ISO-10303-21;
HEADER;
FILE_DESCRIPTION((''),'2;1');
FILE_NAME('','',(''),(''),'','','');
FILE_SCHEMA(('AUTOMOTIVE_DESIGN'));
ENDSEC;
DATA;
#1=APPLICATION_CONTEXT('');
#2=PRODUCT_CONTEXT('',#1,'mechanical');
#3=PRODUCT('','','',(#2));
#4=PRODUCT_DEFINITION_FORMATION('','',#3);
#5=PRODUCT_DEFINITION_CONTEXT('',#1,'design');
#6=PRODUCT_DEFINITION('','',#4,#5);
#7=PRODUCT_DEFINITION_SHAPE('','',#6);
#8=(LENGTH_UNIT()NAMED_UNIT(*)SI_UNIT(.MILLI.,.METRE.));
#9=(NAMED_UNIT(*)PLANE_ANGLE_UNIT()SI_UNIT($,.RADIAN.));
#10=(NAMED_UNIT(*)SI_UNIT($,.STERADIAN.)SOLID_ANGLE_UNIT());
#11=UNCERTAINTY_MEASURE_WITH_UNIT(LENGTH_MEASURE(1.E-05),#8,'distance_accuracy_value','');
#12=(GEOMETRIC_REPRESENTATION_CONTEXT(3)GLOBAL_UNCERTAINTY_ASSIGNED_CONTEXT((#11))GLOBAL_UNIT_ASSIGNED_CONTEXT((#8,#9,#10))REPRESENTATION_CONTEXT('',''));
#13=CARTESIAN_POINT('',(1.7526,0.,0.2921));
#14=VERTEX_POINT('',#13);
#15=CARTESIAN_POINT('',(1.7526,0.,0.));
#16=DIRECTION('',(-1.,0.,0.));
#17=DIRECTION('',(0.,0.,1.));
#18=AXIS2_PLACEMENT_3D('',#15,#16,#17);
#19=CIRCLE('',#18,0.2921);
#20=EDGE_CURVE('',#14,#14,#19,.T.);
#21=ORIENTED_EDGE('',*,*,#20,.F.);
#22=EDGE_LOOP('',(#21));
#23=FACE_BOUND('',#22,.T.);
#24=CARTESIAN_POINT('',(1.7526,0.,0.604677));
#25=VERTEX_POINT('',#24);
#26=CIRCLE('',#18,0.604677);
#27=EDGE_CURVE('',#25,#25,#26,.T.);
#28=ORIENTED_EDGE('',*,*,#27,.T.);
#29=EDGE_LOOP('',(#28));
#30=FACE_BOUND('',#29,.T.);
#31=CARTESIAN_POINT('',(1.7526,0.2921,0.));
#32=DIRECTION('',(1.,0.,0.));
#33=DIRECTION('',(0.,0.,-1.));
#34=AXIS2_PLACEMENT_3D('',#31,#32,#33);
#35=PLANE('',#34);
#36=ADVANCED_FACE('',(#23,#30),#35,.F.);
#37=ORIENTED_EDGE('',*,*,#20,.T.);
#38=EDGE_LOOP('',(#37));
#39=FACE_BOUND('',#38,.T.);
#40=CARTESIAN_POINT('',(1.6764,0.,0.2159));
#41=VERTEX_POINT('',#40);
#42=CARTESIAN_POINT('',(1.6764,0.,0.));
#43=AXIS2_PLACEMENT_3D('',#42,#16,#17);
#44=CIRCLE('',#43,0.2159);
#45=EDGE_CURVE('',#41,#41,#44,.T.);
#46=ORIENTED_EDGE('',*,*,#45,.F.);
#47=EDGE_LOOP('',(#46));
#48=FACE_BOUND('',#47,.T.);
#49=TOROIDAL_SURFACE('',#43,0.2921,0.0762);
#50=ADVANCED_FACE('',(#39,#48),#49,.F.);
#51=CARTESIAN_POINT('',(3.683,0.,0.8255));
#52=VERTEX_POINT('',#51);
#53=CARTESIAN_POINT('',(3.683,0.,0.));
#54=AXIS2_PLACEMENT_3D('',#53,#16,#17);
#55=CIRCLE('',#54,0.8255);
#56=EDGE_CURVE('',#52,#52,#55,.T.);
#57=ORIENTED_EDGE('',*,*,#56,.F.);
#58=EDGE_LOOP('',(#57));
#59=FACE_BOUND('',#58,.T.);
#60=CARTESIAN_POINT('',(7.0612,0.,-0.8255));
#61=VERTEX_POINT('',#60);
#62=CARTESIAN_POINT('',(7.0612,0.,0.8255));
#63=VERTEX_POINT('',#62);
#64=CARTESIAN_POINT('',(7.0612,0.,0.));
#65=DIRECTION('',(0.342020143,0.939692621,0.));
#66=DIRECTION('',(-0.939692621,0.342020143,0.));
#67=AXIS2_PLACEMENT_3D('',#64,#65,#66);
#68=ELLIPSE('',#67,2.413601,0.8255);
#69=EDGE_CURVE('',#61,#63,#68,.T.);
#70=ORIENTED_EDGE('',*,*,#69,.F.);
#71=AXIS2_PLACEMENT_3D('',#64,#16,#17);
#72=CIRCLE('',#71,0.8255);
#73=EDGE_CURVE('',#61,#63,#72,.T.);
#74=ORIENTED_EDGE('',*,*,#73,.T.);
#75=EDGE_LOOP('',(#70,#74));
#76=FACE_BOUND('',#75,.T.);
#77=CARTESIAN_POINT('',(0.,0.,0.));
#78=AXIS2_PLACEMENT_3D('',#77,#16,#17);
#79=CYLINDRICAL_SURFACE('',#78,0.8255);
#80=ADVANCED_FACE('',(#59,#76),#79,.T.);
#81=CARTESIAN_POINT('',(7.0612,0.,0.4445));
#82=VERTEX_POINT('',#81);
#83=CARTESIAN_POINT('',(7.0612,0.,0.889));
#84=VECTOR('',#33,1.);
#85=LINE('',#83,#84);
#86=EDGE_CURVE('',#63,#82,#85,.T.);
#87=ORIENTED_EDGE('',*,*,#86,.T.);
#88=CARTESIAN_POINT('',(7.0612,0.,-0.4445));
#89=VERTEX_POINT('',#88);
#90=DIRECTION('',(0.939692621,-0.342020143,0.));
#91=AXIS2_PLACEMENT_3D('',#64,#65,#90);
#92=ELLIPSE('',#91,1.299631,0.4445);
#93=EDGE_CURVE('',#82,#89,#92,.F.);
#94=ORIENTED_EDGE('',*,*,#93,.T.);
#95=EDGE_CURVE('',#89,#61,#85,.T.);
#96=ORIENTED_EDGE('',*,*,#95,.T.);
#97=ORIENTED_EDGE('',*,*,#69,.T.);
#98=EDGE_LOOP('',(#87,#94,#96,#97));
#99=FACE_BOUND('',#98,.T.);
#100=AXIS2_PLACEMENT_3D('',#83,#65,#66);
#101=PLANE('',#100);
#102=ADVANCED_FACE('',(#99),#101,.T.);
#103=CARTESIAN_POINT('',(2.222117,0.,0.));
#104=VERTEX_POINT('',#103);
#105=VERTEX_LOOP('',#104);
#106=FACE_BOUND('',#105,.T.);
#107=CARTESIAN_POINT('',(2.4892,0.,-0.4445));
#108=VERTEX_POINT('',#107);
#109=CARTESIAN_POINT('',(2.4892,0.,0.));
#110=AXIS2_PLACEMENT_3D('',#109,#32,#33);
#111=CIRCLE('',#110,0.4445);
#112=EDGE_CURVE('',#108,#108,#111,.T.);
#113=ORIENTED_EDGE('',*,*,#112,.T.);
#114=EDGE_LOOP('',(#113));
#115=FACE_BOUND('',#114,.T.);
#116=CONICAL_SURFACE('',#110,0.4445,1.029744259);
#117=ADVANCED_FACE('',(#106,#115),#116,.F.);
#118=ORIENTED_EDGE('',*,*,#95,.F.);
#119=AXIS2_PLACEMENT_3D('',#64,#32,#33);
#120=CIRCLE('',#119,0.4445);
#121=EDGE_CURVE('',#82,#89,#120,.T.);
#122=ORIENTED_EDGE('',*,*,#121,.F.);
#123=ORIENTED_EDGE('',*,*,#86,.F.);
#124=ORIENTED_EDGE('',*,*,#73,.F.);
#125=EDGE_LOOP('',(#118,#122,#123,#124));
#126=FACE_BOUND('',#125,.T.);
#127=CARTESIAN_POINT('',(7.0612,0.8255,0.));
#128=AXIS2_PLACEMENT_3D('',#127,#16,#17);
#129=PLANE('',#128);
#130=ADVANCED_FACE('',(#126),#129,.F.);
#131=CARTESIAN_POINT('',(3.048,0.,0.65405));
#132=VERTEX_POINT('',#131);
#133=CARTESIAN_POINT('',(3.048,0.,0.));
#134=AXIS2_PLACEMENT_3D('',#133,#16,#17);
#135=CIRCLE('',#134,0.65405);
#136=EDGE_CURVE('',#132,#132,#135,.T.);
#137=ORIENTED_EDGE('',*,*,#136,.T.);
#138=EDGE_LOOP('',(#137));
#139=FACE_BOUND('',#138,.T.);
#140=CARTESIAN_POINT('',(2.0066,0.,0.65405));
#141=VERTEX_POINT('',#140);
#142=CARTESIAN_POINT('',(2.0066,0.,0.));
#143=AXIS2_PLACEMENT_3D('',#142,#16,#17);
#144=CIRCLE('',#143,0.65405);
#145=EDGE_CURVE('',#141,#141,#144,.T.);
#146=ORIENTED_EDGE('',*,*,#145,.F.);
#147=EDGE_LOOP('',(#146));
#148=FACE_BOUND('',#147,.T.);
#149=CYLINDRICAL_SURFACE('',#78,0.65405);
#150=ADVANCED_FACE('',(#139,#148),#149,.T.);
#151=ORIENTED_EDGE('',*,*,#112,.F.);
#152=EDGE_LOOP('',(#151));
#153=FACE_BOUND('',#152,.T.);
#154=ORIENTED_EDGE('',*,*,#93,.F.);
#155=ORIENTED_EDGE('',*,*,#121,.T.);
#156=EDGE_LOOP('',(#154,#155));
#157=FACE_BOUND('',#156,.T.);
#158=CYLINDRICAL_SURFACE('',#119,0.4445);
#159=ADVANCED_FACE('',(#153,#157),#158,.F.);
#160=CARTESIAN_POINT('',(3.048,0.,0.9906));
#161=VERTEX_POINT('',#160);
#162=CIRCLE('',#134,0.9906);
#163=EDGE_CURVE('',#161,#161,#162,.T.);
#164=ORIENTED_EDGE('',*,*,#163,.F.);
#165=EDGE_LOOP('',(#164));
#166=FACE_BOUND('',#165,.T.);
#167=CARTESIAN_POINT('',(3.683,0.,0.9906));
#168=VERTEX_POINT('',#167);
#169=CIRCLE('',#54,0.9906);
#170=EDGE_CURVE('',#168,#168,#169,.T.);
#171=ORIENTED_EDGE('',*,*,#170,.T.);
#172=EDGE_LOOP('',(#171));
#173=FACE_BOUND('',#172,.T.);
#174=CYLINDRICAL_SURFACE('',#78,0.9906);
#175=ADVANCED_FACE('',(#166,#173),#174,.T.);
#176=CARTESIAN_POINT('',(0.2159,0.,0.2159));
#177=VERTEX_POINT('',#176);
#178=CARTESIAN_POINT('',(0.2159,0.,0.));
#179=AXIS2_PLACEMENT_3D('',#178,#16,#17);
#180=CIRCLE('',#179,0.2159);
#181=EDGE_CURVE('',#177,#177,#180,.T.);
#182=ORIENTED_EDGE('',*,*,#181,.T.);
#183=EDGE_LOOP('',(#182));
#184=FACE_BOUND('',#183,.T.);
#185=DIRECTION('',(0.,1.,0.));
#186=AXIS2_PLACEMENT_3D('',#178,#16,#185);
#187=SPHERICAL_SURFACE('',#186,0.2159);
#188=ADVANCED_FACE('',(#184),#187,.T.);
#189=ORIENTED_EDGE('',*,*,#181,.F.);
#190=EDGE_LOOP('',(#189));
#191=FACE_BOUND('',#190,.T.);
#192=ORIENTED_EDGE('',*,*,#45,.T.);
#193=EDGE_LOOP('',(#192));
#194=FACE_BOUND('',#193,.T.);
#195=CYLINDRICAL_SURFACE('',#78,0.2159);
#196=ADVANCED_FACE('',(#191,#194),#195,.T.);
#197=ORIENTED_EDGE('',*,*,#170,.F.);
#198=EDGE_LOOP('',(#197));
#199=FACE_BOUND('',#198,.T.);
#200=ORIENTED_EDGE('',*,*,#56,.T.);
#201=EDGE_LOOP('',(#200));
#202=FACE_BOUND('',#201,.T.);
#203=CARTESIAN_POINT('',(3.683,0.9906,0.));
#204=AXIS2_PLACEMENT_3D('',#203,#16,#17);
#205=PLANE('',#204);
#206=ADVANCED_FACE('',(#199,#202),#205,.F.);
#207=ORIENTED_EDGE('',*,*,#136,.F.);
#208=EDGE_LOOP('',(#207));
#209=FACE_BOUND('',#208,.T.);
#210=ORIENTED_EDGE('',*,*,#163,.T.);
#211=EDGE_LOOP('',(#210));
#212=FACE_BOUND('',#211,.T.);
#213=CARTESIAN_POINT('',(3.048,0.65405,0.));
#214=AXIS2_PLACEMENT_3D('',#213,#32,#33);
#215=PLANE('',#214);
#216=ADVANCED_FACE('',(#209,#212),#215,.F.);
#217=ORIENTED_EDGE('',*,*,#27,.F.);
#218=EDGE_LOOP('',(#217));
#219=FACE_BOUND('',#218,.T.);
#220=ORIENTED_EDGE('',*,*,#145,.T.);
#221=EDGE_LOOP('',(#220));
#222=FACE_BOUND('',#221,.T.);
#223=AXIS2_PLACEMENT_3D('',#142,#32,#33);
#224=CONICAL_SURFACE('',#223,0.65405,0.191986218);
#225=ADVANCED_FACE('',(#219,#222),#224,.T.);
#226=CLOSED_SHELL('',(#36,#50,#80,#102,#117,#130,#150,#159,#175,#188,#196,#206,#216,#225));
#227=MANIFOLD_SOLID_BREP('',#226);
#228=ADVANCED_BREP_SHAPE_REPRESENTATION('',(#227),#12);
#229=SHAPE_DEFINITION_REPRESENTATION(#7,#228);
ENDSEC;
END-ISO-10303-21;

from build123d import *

# Parameters (mm, degrees)
HOLE1_D                 = 0.889
HOLE1_DEPTH             = 4.572
HOLE1_TIP               = 0.267082545
CUT_EXTRUDE1_DEPTH      = 0.889
CUT_EXTRUDE1_DEPTH_BACK = 0.889


with BuildPart() as part:
    # Sketch1 → RevolutionAngle1 (revolve)
    with BuildSketch(Plane.XY):
        with BuildLine():
            Line((0.2159, 0.2159), (1.6764, 0.2159))
            ThreePointArc((1.6764, 0.2159), (1.730281537, 0.238218463), (1.7526, 0.2921))
            Line((1.7526, 0.2921), (1.7526, 0.604677401))
            Line((1.7526, 0.604677401), (2.0066, 0.65405))
            Line((2.0066, 0.65405), (3.048, 0.65405))
            Line((3.048, 0.65405), (3.048, 0.9906))
            Line((3.048, 0.9906), (3.683, 0.9906))
            Line((3.683, 0.9906), (3.683, 0.8255))
            Line((3.683, 0.8255), (7.0612, 0.8255))
            Line((7.0612, 0.8255), (7.0612, 0))
            Line((7.0612, 0), (0, 0))
            ThreePointArc((0, 0), (0.063235646, 0.152664354), (0.2159, 0.2159))
        make_face()
    revolve(axis=Axis((0, 0, 0), (1, 0, 0)))

    # Hole1
    with Locations(Plane(origin=(7.0612, 0, 0), x_dir=(0, 0, 1), z_dir=(1, 0, 0))):
        with Locations((0, 0)):
            Hole(HOLE1_D / 2, depth=HOLE1_DEPTH)
            with Locations((0, 0, -(HOLE1_DEPTH + HOLE1_TIP / 2))):  # 118° drill point
                Cone(0, HOLE1_D / 2, HOLE1_TIP, mode=Mode.SUBTRACT)

    # Sketch3 → Cut-Extrude1 (cut, two sides: drawn at the far end of the back side and taken through both)
    with BuildSketch(Plane.XY.offset(-CUT_EXTRUDE1_DEPTH_BACK)):
        Polygon((7.0612, 0.8255), (7.0612, 0), (4.79315739, 0.8255), align=None)
    extrude(amount=CUT_EXTRUDE1_DEPTH + CUT_EXTRUDE1_DEPTH_BACK, mode=Mode.SUBTRACT)


solid = part.part
